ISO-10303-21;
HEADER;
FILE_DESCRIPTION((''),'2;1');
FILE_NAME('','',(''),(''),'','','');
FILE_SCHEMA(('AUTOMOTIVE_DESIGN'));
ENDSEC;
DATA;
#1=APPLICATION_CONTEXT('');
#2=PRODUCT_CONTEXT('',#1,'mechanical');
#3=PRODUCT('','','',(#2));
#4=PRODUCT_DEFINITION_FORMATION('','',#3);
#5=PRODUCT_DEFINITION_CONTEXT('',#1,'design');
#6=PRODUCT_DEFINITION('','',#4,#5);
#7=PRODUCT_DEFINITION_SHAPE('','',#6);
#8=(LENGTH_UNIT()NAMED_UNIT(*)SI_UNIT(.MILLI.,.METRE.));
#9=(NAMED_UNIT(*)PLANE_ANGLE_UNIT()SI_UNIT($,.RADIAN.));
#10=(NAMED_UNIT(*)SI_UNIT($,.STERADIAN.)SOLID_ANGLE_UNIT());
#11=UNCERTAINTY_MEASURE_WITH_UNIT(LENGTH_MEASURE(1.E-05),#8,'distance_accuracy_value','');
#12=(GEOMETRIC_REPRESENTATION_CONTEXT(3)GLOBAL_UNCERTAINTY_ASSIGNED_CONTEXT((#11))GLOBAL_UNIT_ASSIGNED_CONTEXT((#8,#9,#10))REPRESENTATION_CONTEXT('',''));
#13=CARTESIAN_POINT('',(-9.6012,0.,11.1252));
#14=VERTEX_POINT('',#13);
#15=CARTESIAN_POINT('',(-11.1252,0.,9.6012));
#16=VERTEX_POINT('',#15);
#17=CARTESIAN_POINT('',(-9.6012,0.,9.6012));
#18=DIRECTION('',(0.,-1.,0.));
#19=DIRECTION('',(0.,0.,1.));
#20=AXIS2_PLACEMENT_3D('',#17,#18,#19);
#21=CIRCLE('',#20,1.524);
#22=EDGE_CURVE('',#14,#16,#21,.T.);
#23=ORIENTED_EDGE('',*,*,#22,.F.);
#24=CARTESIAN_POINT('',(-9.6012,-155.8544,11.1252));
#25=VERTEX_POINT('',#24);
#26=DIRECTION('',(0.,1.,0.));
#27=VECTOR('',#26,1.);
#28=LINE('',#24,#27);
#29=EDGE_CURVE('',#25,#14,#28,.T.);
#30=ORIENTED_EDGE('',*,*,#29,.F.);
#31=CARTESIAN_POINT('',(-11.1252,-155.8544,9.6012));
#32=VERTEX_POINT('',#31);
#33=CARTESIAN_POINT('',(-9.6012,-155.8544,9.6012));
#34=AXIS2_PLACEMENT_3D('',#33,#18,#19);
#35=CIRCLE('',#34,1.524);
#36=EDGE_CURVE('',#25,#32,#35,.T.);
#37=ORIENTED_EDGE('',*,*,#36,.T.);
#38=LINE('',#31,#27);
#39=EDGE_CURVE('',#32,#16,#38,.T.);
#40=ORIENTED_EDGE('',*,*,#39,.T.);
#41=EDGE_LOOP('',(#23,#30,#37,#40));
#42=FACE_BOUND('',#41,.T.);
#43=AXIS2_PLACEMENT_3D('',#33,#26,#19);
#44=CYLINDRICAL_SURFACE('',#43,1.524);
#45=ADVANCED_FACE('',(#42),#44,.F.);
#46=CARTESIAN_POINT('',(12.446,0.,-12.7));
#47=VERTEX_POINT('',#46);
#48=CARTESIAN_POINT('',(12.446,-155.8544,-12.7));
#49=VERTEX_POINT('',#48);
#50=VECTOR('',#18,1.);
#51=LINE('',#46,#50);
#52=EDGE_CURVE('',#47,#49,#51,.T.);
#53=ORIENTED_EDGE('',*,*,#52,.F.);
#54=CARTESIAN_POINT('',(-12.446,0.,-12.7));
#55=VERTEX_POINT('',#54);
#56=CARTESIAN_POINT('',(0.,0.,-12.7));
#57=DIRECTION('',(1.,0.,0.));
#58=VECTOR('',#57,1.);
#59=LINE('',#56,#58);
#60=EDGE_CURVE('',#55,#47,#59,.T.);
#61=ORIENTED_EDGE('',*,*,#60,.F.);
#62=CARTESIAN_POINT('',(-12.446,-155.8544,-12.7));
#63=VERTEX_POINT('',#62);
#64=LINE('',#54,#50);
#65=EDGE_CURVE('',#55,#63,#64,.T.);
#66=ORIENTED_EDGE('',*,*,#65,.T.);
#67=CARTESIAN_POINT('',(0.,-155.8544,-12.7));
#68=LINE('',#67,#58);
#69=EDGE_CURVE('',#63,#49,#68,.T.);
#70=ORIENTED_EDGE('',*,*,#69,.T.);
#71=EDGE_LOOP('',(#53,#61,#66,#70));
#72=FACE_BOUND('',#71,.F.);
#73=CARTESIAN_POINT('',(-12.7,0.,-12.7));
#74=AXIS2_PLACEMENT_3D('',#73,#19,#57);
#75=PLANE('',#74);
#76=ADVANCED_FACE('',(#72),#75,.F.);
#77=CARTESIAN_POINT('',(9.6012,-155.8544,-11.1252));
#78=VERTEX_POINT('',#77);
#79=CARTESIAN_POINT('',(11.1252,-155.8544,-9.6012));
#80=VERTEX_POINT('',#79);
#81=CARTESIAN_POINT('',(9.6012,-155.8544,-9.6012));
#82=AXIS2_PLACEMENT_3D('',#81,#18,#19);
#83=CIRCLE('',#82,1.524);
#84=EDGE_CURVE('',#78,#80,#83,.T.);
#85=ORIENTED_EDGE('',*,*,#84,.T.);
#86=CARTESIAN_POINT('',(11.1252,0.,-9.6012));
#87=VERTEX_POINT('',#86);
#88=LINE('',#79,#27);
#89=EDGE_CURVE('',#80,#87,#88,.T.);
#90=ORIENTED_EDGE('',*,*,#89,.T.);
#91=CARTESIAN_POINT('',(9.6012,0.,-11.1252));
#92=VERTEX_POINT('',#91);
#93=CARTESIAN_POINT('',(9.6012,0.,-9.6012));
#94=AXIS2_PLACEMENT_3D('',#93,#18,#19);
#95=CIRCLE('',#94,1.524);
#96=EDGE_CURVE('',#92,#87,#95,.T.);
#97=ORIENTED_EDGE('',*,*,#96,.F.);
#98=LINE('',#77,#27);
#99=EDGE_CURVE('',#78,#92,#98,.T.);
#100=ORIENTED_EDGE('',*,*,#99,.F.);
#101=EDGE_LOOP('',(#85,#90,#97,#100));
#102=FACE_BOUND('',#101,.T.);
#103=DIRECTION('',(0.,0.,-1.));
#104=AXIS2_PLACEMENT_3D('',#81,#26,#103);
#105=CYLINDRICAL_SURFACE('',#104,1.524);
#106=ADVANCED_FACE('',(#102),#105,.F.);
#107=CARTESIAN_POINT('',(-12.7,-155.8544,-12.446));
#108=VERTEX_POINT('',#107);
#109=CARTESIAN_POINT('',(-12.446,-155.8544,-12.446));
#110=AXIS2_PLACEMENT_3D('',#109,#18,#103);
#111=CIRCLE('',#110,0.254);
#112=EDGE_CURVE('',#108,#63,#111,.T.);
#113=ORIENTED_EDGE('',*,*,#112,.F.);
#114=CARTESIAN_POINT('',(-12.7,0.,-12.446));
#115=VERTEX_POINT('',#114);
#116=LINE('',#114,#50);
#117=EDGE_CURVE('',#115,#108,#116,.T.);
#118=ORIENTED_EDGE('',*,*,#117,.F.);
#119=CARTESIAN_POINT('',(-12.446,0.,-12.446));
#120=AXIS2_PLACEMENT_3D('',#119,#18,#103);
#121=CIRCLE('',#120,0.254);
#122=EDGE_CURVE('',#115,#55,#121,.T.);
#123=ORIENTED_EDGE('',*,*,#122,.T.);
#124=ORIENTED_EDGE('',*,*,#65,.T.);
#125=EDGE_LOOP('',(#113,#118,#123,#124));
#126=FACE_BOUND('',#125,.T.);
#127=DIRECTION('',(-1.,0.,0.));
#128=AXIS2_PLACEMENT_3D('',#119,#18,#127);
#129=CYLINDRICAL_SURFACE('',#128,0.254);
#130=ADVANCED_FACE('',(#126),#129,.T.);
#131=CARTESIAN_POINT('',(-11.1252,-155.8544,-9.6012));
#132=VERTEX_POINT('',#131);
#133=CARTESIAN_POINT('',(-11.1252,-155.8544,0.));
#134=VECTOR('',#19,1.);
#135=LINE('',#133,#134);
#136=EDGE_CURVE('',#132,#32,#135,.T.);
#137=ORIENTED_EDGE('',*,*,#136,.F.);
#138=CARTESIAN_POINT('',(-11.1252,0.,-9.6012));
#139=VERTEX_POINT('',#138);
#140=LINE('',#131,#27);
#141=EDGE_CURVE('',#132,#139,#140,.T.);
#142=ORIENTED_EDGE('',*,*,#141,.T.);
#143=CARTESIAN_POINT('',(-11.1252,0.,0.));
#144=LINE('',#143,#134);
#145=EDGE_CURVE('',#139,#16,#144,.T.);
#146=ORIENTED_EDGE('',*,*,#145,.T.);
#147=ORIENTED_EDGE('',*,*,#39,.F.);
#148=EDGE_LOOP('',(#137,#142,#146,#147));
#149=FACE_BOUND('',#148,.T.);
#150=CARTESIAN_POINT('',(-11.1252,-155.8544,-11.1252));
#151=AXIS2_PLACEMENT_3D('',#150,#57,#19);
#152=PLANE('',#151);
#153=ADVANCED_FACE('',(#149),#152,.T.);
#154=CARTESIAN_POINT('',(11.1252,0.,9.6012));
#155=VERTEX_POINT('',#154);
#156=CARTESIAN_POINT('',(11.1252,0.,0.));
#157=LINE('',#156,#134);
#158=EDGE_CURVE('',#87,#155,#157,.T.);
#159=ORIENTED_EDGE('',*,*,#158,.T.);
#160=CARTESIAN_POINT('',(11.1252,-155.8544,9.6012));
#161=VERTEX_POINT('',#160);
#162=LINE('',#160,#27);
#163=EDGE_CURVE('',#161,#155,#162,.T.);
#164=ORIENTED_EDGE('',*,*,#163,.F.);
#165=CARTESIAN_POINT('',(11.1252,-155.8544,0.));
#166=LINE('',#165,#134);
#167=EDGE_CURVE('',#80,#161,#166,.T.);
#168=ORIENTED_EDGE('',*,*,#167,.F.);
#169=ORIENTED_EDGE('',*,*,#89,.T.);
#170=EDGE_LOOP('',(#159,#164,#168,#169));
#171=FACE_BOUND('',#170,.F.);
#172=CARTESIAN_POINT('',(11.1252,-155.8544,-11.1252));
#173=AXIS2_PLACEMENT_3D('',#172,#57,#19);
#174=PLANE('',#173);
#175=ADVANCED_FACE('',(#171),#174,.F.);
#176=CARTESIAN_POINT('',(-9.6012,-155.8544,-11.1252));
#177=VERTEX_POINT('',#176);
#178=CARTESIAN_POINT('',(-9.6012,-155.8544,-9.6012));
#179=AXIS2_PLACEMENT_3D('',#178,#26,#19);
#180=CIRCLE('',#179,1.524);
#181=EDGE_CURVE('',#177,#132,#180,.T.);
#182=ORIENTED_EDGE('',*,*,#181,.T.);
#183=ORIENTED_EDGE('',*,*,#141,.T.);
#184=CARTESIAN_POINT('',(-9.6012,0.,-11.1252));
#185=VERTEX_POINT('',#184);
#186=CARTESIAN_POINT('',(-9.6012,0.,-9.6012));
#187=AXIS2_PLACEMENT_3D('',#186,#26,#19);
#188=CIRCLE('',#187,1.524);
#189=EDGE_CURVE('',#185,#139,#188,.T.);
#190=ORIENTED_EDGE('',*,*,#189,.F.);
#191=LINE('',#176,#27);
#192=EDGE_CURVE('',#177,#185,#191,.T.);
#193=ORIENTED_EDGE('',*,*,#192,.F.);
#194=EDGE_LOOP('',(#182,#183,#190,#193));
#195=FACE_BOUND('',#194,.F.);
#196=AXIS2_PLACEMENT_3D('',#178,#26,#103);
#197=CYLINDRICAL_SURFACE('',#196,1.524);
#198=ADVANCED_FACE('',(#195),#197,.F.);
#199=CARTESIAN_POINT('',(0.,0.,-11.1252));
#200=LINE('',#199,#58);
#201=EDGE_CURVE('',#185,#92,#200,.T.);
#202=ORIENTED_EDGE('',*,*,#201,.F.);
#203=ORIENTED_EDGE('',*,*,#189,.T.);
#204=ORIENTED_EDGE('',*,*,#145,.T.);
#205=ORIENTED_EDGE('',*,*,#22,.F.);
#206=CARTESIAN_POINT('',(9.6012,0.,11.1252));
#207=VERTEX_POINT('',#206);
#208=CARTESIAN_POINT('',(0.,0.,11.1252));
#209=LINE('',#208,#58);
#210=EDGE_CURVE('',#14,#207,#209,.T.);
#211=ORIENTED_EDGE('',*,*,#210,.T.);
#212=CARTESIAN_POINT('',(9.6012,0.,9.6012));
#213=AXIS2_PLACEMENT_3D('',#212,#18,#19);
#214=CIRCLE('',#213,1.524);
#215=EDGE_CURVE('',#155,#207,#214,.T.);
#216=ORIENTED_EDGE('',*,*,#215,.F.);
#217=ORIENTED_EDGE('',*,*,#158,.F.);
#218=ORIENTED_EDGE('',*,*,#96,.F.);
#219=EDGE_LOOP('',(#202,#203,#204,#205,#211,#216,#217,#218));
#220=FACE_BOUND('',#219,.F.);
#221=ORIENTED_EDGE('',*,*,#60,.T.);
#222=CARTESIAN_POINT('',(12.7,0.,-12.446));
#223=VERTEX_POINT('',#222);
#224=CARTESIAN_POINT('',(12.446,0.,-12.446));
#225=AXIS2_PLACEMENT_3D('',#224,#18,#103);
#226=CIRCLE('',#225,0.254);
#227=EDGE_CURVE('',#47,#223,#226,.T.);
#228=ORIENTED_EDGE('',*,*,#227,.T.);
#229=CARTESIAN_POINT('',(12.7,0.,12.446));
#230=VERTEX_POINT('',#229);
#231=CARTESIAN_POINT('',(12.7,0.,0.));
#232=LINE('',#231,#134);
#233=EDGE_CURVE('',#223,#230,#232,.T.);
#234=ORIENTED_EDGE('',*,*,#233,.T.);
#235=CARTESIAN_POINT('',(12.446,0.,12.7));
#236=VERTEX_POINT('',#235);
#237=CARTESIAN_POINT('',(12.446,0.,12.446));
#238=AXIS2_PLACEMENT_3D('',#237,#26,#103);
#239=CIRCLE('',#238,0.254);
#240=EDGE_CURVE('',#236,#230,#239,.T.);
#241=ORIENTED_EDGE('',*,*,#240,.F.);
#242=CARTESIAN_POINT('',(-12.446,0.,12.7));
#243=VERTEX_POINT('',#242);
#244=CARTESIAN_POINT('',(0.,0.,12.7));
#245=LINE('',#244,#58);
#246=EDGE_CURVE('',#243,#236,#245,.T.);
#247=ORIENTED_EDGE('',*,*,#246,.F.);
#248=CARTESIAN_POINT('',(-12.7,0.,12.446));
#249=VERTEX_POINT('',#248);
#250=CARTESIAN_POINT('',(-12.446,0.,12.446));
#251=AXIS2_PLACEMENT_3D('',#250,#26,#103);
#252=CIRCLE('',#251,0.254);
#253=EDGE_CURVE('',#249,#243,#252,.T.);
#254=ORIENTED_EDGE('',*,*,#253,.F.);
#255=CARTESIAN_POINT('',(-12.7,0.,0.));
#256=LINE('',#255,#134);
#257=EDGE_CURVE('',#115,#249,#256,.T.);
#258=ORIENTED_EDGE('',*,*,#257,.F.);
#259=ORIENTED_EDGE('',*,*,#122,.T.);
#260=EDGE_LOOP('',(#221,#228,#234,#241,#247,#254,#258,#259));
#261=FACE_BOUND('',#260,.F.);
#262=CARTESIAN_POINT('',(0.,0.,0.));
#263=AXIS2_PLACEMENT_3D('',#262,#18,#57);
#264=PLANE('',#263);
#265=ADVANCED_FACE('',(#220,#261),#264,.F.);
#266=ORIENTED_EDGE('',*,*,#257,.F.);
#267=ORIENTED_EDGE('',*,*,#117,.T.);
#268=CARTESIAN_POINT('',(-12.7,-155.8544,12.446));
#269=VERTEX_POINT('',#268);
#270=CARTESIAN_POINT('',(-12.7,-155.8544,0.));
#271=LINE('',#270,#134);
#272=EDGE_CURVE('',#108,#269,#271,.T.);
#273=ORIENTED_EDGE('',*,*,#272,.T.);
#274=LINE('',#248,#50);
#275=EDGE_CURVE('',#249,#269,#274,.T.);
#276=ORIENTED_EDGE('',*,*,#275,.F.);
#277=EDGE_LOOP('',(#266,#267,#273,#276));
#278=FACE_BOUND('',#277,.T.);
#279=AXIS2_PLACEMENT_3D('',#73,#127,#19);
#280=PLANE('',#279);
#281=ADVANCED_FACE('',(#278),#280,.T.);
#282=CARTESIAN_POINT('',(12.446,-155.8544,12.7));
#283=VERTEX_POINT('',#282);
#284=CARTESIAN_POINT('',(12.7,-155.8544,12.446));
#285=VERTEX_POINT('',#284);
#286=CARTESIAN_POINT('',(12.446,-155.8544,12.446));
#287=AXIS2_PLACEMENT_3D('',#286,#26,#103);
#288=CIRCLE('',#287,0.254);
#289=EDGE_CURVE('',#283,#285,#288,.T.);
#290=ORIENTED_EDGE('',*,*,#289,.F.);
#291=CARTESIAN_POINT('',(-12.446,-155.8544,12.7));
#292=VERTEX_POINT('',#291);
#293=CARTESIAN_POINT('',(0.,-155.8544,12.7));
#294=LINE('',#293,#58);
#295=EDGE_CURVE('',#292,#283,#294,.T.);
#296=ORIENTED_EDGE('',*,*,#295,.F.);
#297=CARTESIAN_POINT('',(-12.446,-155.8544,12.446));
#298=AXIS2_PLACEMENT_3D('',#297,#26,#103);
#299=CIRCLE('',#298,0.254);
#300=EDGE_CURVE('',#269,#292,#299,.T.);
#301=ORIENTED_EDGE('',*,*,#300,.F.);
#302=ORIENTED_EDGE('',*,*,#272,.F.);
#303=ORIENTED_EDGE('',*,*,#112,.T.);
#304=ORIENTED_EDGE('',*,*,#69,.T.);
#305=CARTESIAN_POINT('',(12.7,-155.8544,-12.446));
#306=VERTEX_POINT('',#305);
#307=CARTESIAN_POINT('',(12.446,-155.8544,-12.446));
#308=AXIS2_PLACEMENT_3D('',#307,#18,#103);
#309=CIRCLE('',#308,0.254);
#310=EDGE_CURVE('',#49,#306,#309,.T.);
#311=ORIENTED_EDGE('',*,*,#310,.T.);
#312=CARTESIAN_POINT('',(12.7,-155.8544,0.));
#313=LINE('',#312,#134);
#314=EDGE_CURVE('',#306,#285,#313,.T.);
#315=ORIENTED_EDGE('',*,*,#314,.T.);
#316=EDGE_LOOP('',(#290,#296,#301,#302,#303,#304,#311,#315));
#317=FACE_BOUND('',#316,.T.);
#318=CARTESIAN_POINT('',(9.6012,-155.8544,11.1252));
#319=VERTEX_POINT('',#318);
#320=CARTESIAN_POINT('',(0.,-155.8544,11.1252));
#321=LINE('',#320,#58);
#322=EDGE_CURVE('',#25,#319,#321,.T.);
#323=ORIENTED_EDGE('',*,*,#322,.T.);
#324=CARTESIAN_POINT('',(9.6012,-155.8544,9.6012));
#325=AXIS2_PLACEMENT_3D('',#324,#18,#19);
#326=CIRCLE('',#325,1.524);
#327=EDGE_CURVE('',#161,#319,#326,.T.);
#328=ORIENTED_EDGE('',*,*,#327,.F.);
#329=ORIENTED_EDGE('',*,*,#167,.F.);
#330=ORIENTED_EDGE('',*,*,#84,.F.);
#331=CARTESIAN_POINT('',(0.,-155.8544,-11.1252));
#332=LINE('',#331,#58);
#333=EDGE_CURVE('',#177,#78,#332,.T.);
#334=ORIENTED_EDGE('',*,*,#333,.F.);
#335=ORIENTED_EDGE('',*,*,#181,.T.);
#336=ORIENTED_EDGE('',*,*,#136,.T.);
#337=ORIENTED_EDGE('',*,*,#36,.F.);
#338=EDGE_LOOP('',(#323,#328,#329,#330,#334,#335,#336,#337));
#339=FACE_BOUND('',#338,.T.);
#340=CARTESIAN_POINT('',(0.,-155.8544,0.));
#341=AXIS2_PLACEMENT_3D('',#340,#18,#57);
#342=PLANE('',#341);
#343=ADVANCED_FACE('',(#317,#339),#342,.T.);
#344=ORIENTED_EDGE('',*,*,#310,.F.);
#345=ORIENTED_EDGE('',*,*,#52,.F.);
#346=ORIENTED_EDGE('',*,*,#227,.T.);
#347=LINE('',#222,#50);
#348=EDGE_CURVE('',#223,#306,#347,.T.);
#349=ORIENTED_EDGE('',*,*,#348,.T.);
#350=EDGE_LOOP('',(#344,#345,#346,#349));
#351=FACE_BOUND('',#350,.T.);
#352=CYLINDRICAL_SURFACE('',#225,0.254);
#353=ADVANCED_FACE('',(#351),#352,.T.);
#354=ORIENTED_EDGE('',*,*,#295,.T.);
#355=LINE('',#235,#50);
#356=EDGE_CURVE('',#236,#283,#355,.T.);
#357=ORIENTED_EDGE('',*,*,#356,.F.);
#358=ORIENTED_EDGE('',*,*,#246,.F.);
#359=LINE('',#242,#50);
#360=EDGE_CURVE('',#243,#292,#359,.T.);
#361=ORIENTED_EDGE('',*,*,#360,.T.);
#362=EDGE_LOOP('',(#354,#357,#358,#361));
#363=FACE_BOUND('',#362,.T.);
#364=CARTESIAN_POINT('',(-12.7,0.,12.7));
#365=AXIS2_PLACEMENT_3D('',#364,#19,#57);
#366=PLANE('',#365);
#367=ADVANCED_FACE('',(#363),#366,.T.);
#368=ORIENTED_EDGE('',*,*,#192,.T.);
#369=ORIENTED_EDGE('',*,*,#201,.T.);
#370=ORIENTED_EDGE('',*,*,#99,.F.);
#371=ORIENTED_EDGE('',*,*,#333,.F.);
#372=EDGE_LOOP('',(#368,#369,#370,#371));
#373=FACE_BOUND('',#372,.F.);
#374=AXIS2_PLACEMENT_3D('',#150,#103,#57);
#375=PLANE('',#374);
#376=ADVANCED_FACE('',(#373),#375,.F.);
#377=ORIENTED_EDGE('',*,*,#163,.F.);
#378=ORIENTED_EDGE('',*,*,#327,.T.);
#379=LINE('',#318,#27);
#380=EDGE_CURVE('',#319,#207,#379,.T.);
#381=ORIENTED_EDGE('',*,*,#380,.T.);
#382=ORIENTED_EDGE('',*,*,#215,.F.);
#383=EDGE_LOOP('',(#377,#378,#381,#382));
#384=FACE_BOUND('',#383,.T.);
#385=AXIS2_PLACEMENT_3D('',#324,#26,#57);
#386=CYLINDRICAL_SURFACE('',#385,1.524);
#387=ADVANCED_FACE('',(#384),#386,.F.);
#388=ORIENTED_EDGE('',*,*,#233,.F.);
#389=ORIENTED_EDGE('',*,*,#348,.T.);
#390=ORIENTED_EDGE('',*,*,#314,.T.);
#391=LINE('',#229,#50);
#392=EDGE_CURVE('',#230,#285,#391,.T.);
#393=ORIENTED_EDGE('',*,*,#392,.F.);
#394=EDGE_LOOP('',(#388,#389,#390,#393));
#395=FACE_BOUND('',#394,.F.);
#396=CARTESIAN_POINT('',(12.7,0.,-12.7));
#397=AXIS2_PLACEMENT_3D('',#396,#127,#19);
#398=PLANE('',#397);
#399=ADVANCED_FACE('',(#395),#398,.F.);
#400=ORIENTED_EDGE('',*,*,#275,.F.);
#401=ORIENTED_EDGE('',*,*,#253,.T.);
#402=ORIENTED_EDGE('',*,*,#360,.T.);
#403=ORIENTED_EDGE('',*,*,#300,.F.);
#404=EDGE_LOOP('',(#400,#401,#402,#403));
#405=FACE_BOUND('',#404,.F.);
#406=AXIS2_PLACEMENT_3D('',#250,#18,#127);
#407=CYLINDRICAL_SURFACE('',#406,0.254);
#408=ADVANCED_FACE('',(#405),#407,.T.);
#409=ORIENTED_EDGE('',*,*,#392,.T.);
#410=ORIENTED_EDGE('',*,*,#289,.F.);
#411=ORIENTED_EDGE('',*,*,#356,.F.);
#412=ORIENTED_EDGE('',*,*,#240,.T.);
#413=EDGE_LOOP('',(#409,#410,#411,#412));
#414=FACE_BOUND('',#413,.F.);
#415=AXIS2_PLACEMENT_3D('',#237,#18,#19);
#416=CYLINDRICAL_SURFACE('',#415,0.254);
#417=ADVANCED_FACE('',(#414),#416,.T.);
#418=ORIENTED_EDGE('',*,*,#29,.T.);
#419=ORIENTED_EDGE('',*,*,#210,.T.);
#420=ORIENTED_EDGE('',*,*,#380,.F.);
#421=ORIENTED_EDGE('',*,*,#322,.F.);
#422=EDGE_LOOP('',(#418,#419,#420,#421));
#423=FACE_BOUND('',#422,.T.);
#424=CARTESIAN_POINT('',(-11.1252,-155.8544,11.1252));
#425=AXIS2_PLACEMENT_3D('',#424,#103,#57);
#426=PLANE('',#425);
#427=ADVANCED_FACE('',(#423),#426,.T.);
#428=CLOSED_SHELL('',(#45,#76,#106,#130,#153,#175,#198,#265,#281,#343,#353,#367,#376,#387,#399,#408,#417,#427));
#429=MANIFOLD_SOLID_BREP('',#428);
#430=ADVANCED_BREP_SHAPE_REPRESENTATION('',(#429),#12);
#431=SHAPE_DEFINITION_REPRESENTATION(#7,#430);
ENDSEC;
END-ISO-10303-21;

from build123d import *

# Parameters (mm, degrees)
F0_W     = 25.4
F0_H     = 25.4
F1_DEPTH = 155.8544
F2_W     = 22.2504
F2_H     = 22.2504
F3_DEPTH = 155.8544
F4_R     = 1.524
F5_R     = 0.254


with BuildPart() as f1:
    # F0 (on Front) → F1 (new body)
    with BuildSketch(Plane.XZ):
        Rectangle(F0_W, F0_H)
    extrude(amount=F1_DEPTH)

    # F2 (on face) → F3 (cut, through all)
    with BuildSketch(Plane.XZ.offset(155.8544)):
        Rectangle(F2_W, F2_H)
    extrude(amount=-F3_DEPTH, mode=Mode.SUBTRACT)

    # F4
    f4_edges = [f1.edges().sort_by_distance(p)[0] for p in [
        (-11.1252, -77.9272, 11.1252),
        (11.1252, -77.9272, -11.1252),
        (11.1252, -77.9272, 11.1252),
        (-11.1252, -77.9272, -11.1252),
    ]]
    fillet(f4_edges, radius=F4_R)

    # F5
    f5_edges = [f1.edges().sort_by_distance(p)[0] for p in [
        (12.7, -77.9272, 12.7),
        (12.7, -77.9272, -12.7),
        (-12.7, -77.9272, -12.7),
        (-12.7, -77.9272, 12.7),
    ]]
    fillet(f5_edges, radius=F5_R)


solid = f1.part
